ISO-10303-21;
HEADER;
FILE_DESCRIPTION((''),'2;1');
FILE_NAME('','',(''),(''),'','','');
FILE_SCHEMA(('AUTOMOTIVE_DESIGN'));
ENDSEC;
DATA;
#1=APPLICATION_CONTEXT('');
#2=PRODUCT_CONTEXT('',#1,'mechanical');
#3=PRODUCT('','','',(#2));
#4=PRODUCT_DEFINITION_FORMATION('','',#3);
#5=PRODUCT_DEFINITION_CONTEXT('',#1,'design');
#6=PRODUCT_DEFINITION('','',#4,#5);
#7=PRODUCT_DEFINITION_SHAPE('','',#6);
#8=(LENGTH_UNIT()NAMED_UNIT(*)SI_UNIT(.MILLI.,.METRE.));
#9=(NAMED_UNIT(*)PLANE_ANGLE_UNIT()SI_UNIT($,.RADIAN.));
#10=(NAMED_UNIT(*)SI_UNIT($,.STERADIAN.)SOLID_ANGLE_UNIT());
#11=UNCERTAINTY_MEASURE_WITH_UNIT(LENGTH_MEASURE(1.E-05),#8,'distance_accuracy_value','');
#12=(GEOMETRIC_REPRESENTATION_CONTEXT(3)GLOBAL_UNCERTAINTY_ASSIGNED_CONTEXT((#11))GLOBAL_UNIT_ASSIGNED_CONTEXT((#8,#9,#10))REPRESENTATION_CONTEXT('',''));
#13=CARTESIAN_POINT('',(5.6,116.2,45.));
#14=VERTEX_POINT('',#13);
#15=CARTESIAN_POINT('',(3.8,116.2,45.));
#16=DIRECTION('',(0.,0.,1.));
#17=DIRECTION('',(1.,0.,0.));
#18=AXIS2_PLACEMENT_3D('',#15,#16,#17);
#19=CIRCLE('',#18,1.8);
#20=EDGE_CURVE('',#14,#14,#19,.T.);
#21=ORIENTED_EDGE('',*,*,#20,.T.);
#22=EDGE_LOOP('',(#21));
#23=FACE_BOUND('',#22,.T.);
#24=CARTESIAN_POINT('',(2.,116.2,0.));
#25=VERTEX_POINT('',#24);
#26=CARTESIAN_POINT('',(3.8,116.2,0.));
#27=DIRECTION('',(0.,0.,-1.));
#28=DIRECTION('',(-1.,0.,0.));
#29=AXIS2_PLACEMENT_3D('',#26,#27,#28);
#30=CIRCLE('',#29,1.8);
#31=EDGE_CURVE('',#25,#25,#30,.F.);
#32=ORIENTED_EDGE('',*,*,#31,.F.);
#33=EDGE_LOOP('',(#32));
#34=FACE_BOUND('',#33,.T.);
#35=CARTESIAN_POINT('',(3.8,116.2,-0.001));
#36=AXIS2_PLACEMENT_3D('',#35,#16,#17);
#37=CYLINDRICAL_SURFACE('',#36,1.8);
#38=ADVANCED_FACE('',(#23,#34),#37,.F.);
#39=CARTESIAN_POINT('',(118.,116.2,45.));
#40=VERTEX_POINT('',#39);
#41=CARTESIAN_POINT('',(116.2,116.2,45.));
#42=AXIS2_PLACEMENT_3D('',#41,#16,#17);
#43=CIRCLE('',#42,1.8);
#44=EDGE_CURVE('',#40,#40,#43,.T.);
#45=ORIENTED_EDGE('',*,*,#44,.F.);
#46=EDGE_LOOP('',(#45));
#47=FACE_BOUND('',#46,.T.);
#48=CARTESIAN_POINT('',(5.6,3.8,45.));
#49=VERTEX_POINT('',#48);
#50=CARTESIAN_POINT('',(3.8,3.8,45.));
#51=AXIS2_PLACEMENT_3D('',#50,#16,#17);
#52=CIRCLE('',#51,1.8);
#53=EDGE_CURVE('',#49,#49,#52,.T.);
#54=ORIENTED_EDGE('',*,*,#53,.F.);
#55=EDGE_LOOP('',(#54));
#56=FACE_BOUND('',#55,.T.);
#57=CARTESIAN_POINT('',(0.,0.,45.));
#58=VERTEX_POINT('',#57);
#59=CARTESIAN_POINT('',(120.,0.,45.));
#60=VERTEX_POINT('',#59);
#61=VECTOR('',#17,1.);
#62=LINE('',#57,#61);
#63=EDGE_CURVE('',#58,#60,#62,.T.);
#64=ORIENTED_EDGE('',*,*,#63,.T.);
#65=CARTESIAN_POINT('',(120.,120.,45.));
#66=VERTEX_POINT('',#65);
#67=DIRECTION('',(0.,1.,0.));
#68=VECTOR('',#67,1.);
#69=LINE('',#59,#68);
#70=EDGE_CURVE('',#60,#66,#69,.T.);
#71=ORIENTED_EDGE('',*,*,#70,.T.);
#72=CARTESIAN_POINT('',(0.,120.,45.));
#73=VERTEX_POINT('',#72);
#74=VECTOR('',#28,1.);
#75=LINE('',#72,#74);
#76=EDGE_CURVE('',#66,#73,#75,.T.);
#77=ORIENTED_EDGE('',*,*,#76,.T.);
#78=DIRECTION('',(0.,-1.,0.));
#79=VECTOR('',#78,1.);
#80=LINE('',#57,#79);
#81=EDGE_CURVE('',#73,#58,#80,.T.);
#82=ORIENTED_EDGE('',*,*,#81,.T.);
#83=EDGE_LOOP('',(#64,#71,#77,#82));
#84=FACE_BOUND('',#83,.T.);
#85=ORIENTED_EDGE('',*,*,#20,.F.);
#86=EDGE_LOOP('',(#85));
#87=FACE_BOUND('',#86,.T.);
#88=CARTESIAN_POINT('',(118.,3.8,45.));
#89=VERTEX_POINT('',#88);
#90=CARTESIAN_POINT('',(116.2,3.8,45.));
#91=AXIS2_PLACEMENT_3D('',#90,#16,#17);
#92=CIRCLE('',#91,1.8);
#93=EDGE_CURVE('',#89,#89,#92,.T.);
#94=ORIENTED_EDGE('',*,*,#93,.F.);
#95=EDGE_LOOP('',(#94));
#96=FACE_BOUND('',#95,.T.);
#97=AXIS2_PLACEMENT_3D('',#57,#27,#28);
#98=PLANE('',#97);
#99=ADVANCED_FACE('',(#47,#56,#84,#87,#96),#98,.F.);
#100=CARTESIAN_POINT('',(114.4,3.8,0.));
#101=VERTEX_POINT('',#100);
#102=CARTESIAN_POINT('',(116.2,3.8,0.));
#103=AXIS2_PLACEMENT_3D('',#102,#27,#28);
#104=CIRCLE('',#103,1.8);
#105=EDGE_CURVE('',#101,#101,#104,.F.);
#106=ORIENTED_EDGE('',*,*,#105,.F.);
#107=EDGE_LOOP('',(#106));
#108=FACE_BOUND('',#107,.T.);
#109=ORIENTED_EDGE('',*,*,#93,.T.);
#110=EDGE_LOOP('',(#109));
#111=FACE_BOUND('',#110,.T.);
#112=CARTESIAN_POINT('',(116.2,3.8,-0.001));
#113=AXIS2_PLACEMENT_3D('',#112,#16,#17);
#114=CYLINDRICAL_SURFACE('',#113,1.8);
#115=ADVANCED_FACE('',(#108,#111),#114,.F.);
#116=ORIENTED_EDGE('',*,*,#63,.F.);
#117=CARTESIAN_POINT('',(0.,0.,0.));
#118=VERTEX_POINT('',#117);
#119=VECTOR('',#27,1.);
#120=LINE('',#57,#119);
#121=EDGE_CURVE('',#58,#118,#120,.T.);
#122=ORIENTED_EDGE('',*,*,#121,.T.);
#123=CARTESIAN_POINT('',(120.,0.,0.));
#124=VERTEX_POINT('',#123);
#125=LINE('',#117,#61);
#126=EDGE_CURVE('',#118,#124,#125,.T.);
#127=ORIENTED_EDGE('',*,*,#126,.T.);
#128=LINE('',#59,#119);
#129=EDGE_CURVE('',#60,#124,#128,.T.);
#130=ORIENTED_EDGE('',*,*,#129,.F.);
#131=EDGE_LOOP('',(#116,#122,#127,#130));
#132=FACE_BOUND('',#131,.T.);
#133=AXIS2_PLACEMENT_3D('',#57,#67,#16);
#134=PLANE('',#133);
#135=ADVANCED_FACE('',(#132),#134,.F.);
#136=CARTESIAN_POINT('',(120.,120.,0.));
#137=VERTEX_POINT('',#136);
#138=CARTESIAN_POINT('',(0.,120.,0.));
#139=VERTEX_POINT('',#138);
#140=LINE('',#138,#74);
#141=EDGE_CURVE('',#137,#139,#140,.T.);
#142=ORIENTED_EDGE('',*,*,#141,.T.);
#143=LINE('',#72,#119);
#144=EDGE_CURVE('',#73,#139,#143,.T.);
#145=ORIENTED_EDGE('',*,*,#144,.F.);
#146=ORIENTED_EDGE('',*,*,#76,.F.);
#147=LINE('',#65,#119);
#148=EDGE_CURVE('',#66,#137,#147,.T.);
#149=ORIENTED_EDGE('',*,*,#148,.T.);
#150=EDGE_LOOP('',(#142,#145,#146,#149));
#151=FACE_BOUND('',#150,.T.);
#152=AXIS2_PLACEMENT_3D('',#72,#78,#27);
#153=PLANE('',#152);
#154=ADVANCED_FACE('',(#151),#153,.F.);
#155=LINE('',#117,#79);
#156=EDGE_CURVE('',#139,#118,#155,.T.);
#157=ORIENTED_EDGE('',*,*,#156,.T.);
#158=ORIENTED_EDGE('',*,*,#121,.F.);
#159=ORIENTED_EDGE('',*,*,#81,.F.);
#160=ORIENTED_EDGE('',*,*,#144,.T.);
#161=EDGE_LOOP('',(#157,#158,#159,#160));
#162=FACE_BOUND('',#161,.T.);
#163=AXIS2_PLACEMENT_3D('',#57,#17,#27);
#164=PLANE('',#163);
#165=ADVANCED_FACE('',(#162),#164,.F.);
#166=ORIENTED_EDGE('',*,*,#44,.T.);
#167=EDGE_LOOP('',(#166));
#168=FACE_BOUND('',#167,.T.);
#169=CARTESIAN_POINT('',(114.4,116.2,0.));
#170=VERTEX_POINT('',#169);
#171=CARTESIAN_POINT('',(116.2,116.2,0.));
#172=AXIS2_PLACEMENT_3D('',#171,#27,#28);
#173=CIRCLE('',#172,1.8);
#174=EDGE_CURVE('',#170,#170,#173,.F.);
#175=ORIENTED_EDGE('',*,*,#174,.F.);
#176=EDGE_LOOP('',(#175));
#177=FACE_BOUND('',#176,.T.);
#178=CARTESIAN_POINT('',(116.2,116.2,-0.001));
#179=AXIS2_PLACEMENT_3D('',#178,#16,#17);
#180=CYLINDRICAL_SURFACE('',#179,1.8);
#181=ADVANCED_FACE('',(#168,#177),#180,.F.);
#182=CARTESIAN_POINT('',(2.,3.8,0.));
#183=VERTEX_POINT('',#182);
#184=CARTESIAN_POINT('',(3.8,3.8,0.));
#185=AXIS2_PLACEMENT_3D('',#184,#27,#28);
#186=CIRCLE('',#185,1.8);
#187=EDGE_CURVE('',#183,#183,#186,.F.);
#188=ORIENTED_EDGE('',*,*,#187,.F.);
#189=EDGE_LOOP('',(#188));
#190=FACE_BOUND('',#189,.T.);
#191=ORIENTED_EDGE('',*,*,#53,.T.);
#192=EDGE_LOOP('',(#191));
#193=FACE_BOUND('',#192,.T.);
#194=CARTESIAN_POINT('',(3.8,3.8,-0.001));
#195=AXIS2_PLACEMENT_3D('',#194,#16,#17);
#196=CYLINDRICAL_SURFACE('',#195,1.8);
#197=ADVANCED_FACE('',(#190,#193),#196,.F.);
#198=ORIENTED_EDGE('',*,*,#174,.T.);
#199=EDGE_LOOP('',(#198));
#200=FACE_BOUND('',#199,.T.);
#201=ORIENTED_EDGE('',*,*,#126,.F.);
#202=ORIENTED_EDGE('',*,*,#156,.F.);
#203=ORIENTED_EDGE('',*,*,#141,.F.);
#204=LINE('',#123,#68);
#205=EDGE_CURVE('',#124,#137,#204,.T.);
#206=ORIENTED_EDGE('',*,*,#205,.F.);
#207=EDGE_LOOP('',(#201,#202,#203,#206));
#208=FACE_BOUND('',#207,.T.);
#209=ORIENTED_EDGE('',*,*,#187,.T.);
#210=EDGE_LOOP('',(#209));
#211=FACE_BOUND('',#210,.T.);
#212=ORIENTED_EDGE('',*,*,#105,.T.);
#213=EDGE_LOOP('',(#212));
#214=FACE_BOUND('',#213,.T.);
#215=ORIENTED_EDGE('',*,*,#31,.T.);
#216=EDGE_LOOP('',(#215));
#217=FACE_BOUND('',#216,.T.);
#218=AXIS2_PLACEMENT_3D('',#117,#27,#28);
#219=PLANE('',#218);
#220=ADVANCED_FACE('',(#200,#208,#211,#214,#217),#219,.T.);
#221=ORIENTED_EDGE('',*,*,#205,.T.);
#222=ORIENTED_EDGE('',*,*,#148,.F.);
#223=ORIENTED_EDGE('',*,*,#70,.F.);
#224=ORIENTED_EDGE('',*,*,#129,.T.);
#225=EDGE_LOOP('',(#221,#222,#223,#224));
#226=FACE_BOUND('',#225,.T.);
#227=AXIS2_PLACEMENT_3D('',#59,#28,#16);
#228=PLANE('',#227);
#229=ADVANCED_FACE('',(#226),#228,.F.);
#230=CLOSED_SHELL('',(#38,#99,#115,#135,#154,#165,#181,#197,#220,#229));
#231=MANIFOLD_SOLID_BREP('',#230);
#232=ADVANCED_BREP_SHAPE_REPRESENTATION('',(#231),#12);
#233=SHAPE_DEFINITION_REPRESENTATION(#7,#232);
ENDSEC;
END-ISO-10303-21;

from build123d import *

# Parameters (mm, degrees)
SKETCH_1_W          = 120
SKETCH_1_H          = 120
EXTRUDE_1_DEPTH     = 45
CUT_EXTRUDE_1_REACH = 177.57
SKETCH_2_R          = 1.8


with BuildPart() as part:
    # 草图1 → 凸台-拉伸1 (new body)
    with BuildSketch(Plane.XY):
        with Locations((60, 60)):
            Rectangle(SKETCH_1_W, SKETCH_1_H)
    extrude(amount=EXTRUDE_1_DEPTH)

    # 草图2 → 切除-拉伸1 (cut, up to next)
    with BuildSketch(Plane.XY.offset(45), mode=Mode.PRIVATE) as cut_extrude_1_sk1:
        with Locations((3.8, 116.2)):
            Circle(SKETCH_2_R)
    cut_extrude_1_tool1 = extrude(cut_extrude_1_sk1.sketch, amount=-CUT_EXTRUDE_1_REACH, mode=Mode.PRIVATE) & part.part
    # 草图2 → 切除-拉伸1 (cut, up to next)
    with BuildSketch(Plane.XY.offset(45), mode=Mode.PRIVATE) as cut_extrude_1_sk2:
        with Locations((116.2, 116.2)):
            Circle(SKETCH_2_R)
    cut_extrude_1_tool2 = extrude(cut_extrude_1_sk2.sketch, amount=-CUT_EXTRUDE_1_REACH, mode=Mode.PRIVATE) & part.part
    # 草图2 → 切除-拉伸1 (cut, up to next)
    with BuildSketch(Plane.XY.offset(45), mode=Mode.PRIVATE) as cut_extrude_1_sk3:
        with Locations((116.2, 3.8)):
            Circle(SKETCH_2_R)
    cut_extrude_1_tool3 = extrude(cut_extrude_1_sk3.sketch, amount=-CUT_EXTRUDE_1_REACH, mode=Mode.PRIVATE) & part.part
    # 草图2 → 切除-拉伸1 (cut, up to next)
    with BuildSketch(Plane.XY.offset(45), mode=Mode.PRIVATE) as cut_extrude_1_sk4:
        with Locations((3.8, 3.8)):
            Circle(SKETCH_2_R)
    cut_extrude_1_tool4 = extrude(cut_extrude_1_sk4.sketch, amount=-CUT_EXTRUDE_1_REACH, mode=Mode.PRIVATE) & part.part
    add(cut_extrude_1_tool1.solids().sort_by_distance((3.8, 116.2, 45))[0], mode=Mode.SUBTRACT)
    add(cut_extrude_1_tool2.solids().sort_by_distance((116.2, 116.2, 45))[0], mode=Mode.SUBTRACT)
    add(cut_extrude_1_tool3.solids().sort_by_distance((116.2, 3.8, 45))[0], mode=Mode.SUBTRACT)
    add(cut_extrude_1_tool4.solids().sort_by_distance((3.8, 3.8, 45))[0], mode=Mode.SUBTRACT)


solid = part.part
